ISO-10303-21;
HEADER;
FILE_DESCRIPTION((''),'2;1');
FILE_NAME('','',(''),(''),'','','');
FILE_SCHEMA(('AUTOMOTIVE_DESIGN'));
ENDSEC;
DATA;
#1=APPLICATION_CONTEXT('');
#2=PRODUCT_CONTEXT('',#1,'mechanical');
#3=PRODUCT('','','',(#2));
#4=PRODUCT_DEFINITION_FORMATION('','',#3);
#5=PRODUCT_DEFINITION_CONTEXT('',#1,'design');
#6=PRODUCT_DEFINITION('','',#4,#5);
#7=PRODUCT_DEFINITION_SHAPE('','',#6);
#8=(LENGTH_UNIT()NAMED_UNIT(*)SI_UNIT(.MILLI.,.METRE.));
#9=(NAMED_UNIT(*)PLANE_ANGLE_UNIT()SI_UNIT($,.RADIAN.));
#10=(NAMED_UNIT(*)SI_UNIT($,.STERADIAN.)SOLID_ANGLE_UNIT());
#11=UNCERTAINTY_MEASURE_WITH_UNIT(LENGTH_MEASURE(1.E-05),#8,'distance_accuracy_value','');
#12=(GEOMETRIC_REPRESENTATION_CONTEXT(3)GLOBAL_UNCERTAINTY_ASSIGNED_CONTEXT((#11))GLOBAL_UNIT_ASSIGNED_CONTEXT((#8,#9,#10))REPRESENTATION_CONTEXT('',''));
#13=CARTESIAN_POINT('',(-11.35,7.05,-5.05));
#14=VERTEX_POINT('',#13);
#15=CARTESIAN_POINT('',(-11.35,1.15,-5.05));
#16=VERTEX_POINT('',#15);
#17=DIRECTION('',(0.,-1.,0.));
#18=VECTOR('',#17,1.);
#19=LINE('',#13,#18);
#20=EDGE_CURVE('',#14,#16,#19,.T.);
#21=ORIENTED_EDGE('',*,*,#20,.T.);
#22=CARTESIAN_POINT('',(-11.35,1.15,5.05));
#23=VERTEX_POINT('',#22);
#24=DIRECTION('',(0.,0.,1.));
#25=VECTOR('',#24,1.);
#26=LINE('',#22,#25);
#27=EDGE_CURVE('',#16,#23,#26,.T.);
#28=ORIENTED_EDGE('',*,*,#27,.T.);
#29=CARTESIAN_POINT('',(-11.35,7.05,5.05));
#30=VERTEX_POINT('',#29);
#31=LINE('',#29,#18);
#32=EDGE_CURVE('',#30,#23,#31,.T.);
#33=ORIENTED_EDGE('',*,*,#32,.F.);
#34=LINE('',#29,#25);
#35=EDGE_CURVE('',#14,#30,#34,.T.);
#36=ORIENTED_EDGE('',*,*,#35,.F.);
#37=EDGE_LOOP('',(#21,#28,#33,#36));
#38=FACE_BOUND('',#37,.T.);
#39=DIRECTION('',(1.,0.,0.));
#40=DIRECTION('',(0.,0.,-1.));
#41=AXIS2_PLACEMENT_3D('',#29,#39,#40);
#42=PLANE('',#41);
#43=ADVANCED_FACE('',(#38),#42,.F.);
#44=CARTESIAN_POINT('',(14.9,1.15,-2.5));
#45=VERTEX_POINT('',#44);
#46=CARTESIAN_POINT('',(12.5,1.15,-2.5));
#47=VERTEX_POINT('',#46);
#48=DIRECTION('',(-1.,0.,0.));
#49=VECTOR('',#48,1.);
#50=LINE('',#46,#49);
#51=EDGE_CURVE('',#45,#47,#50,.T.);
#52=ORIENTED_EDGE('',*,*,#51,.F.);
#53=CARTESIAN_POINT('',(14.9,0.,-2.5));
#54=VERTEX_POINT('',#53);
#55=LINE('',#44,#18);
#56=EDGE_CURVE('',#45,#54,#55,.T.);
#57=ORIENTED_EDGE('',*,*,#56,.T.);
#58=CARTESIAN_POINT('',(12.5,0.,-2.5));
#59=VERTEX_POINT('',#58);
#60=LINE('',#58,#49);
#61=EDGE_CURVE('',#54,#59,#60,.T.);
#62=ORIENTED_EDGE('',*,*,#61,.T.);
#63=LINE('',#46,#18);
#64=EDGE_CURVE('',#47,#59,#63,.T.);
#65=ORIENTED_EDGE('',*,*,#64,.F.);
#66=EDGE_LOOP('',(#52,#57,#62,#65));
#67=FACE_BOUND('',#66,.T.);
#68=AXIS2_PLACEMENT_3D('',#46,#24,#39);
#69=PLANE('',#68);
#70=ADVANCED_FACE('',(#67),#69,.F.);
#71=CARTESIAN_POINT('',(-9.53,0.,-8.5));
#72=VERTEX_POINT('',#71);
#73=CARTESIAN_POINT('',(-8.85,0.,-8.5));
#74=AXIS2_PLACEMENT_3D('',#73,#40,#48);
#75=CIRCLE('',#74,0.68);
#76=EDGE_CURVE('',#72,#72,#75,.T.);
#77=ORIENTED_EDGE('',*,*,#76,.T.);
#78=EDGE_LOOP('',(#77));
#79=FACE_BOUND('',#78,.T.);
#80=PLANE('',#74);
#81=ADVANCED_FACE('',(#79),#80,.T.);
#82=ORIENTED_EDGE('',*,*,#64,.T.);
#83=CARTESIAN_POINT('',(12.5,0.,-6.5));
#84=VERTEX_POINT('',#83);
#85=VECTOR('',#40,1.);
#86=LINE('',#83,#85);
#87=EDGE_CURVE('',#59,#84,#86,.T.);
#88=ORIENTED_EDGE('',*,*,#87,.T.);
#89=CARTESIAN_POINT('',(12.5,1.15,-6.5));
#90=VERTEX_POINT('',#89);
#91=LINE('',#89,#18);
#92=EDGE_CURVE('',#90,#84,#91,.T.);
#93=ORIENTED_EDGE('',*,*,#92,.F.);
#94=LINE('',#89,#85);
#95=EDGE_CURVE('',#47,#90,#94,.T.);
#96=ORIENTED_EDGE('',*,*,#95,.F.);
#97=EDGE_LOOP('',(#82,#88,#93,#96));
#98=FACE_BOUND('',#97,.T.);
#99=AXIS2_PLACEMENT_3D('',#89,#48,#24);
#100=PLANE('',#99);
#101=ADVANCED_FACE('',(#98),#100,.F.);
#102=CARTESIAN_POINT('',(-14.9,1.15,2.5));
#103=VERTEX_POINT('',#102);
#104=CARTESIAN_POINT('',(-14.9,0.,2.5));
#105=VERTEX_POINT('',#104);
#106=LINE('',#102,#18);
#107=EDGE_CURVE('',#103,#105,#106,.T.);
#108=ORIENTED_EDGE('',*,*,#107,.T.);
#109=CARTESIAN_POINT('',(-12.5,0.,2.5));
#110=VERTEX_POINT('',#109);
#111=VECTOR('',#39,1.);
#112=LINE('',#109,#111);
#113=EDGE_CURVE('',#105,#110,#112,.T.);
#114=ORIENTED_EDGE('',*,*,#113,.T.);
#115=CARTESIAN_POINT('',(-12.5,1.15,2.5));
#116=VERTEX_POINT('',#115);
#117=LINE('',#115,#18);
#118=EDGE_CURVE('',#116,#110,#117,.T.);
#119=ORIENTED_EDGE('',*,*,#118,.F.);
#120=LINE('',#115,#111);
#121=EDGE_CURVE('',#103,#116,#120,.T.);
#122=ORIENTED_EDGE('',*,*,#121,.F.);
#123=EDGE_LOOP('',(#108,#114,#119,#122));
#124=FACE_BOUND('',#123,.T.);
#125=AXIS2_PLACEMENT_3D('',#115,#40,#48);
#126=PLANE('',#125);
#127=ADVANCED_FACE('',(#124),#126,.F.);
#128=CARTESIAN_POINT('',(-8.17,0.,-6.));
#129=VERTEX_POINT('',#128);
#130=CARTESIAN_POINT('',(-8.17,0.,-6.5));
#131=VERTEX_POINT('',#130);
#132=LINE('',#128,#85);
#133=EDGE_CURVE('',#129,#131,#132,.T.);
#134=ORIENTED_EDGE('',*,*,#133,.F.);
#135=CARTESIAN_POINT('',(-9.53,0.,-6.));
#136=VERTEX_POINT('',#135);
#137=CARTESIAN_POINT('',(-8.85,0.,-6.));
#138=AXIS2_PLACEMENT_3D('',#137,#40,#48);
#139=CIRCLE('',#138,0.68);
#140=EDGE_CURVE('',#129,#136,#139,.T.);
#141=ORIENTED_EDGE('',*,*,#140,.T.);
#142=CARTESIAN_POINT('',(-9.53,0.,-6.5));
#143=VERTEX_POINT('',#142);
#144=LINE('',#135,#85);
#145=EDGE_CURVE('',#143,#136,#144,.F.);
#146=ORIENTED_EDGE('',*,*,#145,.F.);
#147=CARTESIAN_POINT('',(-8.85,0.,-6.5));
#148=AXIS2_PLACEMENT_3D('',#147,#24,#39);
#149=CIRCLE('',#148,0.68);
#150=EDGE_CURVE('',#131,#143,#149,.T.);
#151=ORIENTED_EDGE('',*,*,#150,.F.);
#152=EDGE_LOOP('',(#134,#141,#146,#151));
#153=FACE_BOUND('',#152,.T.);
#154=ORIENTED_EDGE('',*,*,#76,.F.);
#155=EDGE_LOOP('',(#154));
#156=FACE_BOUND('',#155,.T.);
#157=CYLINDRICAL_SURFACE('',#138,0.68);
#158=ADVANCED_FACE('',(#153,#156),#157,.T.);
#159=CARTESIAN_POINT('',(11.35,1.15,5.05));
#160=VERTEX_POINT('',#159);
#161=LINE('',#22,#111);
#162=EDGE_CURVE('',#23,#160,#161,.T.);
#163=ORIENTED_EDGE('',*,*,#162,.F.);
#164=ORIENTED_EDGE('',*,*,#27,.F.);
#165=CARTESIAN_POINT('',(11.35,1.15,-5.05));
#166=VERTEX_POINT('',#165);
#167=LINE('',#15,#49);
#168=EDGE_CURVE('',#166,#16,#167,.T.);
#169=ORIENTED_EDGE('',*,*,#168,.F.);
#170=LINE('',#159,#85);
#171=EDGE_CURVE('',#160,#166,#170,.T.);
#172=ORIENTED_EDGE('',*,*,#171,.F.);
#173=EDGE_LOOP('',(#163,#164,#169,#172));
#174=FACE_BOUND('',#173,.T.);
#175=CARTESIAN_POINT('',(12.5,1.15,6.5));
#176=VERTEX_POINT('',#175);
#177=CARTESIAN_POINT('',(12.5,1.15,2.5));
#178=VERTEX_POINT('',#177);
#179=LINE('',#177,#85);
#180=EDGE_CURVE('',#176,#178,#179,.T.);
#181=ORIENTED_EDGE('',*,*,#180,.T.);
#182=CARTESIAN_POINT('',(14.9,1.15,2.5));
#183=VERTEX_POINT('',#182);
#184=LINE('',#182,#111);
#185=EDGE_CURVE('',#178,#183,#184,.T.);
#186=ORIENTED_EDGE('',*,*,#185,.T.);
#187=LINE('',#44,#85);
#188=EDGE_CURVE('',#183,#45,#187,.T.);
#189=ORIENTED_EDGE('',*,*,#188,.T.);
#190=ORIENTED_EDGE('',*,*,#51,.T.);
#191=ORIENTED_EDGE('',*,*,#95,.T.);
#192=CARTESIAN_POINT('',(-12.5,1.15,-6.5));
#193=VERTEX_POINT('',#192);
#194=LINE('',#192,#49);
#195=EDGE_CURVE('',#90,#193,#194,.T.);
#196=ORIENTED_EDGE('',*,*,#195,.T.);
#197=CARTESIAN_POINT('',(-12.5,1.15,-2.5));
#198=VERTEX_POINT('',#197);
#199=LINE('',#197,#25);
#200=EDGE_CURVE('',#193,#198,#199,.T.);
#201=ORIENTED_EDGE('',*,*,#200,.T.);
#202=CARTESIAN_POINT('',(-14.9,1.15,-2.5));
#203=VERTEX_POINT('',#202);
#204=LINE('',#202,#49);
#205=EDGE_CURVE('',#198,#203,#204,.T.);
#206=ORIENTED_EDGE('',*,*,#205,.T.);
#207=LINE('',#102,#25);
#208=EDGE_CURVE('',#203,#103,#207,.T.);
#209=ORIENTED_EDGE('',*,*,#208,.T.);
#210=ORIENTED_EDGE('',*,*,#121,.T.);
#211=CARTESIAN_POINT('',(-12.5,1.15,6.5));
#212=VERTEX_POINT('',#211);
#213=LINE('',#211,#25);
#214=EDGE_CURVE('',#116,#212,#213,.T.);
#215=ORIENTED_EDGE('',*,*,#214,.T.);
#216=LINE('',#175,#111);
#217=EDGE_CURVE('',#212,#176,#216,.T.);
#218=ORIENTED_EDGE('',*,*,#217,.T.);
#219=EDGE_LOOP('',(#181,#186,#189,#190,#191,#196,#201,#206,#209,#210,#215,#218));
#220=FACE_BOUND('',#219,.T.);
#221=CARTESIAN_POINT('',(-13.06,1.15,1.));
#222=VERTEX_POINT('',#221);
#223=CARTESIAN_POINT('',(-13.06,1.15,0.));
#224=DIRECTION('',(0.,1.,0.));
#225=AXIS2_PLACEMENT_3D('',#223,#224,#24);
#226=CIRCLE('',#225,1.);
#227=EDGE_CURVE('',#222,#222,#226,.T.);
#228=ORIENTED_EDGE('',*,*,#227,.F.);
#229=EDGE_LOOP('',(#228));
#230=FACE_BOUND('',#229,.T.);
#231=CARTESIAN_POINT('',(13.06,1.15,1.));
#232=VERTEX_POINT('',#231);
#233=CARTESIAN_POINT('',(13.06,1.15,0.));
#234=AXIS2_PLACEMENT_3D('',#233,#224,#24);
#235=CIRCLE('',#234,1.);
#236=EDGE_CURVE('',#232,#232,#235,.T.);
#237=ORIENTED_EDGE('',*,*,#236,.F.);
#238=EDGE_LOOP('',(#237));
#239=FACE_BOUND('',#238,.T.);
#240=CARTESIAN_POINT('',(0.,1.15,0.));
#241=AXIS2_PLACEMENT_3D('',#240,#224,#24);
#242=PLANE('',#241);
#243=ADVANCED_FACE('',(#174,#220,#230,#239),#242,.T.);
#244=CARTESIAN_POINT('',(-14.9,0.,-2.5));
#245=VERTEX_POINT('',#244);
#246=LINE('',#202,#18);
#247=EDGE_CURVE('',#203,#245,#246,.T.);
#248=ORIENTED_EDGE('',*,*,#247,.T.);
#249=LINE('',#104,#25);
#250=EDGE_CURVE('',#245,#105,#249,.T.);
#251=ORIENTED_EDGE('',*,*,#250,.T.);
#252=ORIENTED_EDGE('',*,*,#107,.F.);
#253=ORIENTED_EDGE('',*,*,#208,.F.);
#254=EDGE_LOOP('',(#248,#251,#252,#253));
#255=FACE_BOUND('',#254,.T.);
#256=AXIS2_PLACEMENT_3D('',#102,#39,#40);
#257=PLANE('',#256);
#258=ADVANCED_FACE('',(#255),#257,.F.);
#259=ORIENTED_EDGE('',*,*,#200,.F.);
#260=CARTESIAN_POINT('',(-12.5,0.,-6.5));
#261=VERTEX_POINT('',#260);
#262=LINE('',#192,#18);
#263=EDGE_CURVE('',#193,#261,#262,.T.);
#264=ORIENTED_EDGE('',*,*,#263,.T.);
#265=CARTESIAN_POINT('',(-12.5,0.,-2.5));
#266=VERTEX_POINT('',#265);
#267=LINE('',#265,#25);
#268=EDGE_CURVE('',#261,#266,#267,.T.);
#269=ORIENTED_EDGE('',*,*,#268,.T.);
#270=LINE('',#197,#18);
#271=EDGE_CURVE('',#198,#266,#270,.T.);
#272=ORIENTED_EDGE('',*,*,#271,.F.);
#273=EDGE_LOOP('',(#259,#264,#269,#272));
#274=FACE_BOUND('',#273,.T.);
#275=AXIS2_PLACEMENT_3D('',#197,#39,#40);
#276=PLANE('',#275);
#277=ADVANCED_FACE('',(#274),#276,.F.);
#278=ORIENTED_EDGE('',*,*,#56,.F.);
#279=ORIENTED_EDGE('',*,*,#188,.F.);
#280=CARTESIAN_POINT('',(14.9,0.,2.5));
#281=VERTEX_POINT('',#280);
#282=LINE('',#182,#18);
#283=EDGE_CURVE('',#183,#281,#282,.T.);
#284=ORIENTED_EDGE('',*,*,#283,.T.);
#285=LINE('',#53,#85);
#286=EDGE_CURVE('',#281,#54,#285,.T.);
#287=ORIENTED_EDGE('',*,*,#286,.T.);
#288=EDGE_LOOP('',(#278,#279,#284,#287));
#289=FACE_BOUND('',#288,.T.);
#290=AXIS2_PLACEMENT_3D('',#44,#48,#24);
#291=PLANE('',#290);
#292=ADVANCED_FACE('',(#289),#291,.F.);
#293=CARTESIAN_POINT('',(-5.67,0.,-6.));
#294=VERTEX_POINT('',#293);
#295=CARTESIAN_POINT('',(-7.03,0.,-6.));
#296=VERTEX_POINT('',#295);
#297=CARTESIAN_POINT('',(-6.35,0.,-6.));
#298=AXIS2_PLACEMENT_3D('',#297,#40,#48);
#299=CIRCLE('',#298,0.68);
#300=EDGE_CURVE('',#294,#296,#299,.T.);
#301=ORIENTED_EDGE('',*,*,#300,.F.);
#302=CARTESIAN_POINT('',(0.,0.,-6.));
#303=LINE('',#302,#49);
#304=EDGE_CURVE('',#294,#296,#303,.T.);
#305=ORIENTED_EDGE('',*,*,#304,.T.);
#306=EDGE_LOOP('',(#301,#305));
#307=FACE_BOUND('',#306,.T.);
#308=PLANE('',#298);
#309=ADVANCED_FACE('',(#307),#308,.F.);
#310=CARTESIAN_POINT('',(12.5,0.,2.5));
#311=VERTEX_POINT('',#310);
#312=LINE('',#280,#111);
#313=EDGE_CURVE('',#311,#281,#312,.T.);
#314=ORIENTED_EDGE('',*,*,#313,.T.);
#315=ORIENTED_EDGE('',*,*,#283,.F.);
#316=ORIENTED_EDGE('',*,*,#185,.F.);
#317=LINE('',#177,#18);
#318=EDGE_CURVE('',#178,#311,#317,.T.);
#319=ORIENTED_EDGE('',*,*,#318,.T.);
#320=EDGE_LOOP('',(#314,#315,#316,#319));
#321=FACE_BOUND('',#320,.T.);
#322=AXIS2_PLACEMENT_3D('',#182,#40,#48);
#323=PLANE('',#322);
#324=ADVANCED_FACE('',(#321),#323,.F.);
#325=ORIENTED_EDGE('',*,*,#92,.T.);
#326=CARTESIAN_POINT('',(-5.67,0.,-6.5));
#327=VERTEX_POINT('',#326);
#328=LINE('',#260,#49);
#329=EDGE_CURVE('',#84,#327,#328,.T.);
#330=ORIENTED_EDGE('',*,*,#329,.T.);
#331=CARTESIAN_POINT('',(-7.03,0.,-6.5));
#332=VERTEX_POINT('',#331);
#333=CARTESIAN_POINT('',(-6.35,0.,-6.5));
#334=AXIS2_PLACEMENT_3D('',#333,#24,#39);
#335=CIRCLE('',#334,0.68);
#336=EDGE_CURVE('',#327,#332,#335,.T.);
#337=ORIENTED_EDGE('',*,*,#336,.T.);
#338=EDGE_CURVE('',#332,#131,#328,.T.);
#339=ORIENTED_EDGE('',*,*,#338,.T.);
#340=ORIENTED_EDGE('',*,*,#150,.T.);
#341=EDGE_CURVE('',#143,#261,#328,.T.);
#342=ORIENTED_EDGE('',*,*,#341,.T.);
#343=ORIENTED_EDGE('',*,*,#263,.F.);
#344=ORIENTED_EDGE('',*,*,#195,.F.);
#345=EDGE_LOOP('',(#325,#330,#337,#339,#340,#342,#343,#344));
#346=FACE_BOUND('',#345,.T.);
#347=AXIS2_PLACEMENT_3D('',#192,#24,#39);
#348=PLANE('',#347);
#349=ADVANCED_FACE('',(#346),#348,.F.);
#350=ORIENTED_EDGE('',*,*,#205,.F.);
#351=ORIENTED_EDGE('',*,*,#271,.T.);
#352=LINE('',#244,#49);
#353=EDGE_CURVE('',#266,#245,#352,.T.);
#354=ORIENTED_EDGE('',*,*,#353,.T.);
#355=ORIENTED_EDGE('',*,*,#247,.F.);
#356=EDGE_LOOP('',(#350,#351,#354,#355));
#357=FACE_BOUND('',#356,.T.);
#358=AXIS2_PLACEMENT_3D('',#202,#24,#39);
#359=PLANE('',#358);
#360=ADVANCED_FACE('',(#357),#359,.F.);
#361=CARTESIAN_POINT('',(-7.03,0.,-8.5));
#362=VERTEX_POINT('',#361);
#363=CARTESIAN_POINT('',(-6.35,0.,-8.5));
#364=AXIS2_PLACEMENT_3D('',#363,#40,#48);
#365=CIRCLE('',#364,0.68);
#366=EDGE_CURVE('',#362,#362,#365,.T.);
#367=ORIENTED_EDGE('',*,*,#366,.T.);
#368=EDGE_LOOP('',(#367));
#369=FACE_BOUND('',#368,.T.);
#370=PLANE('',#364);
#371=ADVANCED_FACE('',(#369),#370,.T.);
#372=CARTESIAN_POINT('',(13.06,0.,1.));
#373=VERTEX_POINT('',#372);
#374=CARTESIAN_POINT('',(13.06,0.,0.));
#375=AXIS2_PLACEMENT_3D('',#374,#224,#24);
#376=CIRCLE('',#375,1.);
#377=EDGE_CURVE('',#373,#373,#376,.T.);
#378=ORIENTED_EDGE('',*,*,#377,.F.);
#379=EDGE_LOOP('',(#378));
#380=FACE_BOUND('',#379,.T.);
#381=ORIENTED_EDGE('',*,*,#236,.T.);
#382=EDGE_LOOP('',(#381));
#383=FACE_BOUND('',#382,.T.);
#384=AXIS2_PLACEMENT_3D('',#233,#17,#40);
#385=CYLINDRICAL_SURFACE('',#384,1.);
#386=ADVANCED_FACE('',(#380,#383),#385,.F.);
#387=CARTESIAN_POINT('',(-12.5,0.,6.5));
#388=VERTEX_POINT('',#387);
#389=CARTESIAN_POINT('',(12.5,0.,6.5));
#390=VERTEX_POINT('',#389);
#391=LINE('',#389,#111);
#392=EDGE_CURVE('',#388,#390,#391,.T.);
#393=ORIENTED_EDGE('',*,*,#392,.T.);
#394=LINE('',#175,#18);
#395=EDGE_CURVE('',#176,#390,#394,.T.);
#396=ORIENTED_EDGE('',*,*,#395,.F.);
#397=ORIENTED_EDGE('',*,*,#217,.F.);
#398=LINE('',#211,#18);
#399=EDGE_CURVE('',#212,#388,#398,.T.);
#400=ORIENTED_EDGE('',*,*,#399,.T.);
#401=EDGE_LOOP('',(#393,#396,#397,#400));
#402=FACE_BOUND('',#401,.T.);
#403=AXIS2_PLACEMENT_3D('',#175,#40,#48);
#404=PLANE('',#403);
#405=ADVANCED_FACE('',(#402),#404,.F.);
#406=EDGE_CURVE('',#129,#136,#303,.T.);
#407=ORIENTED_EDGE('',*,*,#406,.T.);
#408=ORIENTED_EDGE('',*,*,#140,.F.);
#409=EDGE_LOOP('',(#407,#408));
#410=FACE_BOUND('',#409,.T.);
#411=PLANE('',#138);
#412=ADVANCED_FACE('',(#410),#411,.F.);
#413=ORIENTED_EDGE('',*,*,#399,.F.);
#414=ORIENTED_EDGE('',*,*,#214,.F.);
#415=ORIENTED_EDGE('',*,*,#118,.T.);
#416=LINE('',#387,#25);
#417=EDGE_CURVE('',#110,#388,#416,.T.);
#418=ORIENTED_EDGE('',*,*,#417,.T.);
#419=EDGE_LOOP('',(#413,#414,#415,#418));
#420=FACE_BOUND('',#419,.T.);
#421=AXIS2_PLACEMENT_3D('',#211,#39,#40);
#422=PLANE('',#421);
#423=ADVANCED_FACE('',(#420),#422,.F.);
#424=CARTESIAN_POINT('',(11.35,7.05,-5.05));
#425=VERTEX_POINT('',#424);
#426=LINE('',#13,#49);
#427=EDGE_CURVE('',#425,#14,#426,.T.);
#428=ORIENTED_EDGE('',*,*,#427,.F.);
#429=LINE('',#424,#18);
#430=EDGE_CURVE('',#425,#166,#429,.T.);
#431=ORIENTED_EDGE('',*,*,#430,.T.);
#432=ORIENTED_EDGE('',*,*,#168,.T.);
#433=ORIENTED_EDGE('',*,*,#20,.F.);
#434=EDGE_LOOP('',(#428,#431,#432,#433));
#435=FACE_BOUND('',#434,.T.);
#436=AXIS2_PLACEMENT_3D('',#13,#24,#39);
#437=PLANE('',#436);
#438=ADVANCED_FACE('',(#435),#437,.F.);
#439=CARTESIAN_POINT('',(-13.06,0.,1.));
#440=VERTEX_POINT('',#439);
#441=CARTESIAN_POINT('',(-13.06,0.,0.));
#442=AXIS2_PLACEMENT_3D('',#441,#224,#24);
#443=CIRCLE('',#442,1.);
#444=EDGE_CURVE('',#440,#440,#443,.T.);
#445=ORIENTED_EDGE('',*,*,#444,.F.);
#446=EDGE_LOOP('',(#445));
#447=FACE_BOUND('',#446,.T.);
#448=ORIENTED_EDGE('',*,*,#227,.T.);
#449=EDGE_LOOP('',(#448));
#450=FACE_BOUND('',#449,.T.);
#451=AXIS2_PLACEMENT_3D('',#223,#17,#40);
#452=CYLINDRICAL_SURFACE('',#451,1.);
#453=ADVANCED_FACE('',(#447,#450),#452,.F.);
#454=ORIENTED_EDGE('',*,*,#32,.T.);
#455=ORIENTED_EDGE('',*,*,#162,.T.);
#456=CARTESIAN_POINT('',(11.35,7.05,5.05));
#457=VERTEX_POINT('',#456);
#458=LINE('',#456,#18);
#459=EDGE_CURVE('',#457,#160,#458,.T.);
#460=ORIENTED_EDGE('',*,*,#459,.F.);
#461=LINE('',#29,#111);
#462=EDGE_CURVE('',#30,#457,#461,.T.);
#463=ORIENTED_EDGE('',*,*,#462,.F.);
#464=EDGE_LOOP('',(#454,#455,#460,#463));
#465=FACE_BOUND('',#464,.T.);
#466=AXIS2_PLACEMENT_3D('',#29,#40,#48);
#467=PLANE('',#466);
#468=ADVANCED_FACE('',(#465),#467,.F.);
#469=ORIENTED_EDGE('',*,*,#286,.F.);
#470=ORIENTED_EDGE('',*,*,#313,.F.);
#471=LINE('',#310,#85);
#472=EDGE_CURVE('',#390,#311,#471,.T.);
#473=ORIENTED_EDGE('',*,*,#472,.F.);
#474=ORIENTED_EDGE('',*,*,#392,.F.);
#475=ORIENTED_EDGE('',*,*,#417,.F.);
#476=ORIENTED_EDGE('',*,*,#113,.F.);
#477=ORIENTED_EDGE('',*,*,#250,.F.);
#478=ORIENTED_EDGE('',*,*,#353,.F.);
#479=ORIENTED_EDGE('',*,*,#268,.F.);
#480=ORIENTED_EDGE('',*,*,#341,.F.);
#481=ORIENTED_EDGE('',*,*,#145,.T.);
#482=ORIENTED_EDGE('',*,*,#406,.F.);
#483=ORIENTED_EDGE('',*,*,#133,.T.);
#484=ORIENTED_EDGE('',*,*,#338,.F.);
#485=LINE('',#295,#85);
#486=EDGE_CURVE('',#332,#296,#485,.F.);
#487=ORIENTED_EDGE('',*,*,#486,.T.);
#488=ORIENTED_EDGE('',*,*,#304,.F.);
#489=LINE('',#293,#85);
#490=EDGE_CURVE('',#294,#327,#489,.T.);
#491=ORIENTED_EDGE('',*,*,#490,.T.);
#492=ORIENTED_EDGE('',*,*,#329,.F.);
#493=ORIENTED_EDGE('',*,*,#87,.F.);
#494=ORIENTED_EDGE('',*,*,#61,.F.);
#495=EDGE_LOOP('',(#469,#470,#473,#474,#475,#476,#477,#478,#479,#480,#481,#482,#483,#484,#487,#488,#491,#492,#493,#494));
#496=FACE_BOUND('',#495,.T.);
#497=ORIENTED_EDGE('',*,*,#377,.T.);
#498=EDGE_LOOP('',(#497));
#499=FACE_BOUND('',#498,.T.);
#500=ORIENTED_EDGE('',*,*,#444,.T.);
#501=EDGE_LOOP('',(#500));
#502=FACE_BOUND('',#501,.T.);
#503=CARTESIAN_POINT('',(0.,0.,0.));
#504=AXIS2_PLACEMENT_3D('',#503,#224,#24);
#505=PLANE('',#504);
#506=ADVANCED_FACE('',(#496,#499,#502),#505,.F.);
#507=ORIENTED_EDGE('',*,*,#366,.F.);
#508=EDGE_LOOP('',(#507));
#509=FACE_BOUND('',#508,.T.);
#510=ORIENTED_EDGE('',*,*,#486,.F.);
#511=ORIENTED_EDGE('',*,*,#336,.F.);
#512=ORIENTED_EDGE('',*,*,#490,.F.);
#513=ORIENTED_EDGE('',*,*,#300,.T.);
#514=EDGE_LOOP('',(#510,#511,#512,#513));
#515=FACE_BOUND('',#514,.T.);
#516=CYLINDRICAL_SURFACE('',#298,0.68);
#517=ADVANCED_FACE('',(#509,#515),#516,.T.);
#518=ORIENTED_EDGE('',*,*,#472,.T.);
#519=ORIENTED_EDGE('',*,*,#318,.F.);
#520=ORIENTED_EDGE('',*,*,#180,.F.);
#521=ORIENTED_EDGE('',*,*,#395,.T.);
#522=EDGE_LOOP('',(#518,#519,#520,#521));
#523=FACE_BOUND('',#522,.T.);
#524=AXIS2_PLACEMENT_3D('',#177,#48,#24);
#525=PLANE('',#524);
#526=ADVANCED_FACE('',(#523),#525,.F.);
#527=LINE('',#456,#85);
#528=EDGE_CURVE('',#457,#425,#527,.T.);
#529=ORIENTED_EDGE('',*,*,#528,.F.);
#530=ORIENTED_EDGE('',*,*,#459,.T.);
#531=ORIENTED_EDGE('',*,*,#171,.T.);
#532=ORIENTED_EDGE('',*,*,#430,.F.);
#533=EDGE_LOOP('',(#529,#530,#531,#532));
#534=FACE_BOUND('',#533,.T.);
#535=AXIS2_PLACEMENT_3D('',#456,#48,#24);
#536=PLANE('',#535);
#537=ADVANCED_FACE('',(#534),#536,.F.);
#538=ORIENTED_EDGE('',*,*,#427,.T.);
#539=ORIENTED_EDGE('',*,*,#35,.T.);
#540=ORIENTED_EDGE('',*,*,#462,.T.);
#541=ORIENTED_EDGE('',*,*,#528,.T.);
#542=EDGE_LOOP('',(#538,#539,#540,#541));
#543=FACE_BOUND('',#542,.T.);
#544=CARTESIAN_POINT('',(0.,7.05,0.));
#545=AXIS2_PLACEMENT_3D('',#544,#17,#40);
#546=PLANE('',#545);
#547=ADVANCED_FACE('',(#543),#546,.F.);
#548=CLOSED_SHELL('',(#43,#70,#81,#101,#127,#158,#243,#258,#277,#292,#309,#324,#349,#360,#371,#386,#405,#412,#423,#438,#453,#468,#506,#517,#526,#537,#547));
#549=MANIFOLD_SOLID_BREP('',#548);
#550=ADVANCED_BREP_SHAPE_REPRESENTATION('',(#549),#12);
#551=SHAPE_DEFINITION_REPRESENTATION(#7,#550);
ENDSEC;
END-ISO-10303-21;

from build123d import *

# Parameters (mm, degrees)
SKETCH1_R                = 1
BOSS_EXTRUDE1_DEPTH      = 1.15
SKETCH2_W                = 22.7
SKETCH2_H                = 10.1
BOSS_EXTRUDE2_DEPTH      = 5.9
BOSS_EXTRUDE3_DEPTH      = 2
BOSS_EXTRUDE3_DEPTH_BACK = 0.5
SKETCH3_R                = 0.68


with BuildPart() as part:
    # Sketch1 → Boss-Extrude1 (new body)
    with BuildSketch(Plane(origin=(0, 0, 0), x_dir=(1, 0, 0), z_dir=(0, 1, 0))):
        Polygon((-12.5, 6.5), (12.5, 6.5), (12.5, 2.5), (14.9, 2.5), (14.9, -2.5), (12.5, -2.5), (12.5, -6.5), (-12.5, -6.5), (-12.5, -2.5), (-14.9, -2.5), (-14.9, 2.5), (-12.5, 2.5), align=None)
        with Locations(Location((13.06, 0, 0), (0, 0, 270))):
            Circle(SKETCH1_R, mode=Mode.SUBTRACT)
        with Locations(Location((-13.06, 0, 0), (0, 0, 270))):
            Circle(SKETCH1_R, mode=Mode.SUBTRACT)
    extrude(amount=BOSS_EXTRUDE1_DEPTH)

    # Sketch2 → Boss-Extrude2 (add)
    with BuildSketch(Plane(origin=(0, 1.15, 0), x_dir=(1, 0, 0), z_dir=(0, 1, 0))):
        Rectangle(SKETCH2_W, SKETCH2_H)
    extrude(amount=BOSS_EXTRUDE2_DEPTH)

    # Sketch3 → Boss-Extrude3 (add, two sides: drawn at the far end of the back side and taken through both)
    with BuildSketch(Plane(origin=(0, 0, -6.5), x_dir=(-1, 0, 0), z_dir=(0, 0, -1)).offset(-BOSS_EXTRUDE3_DEPTH_BACK)):
        with Locations((8.85, 0)):
            Circle(SKETCH3_R)
        with Locations((6.35, 0)):
            Circle(SKETCH3_R)
    extrude(amount=BOSS_EXTRUDE3_DEPTH + BOSS_EXTRUDE3_DEPTH_BACK)


solid = part.part
